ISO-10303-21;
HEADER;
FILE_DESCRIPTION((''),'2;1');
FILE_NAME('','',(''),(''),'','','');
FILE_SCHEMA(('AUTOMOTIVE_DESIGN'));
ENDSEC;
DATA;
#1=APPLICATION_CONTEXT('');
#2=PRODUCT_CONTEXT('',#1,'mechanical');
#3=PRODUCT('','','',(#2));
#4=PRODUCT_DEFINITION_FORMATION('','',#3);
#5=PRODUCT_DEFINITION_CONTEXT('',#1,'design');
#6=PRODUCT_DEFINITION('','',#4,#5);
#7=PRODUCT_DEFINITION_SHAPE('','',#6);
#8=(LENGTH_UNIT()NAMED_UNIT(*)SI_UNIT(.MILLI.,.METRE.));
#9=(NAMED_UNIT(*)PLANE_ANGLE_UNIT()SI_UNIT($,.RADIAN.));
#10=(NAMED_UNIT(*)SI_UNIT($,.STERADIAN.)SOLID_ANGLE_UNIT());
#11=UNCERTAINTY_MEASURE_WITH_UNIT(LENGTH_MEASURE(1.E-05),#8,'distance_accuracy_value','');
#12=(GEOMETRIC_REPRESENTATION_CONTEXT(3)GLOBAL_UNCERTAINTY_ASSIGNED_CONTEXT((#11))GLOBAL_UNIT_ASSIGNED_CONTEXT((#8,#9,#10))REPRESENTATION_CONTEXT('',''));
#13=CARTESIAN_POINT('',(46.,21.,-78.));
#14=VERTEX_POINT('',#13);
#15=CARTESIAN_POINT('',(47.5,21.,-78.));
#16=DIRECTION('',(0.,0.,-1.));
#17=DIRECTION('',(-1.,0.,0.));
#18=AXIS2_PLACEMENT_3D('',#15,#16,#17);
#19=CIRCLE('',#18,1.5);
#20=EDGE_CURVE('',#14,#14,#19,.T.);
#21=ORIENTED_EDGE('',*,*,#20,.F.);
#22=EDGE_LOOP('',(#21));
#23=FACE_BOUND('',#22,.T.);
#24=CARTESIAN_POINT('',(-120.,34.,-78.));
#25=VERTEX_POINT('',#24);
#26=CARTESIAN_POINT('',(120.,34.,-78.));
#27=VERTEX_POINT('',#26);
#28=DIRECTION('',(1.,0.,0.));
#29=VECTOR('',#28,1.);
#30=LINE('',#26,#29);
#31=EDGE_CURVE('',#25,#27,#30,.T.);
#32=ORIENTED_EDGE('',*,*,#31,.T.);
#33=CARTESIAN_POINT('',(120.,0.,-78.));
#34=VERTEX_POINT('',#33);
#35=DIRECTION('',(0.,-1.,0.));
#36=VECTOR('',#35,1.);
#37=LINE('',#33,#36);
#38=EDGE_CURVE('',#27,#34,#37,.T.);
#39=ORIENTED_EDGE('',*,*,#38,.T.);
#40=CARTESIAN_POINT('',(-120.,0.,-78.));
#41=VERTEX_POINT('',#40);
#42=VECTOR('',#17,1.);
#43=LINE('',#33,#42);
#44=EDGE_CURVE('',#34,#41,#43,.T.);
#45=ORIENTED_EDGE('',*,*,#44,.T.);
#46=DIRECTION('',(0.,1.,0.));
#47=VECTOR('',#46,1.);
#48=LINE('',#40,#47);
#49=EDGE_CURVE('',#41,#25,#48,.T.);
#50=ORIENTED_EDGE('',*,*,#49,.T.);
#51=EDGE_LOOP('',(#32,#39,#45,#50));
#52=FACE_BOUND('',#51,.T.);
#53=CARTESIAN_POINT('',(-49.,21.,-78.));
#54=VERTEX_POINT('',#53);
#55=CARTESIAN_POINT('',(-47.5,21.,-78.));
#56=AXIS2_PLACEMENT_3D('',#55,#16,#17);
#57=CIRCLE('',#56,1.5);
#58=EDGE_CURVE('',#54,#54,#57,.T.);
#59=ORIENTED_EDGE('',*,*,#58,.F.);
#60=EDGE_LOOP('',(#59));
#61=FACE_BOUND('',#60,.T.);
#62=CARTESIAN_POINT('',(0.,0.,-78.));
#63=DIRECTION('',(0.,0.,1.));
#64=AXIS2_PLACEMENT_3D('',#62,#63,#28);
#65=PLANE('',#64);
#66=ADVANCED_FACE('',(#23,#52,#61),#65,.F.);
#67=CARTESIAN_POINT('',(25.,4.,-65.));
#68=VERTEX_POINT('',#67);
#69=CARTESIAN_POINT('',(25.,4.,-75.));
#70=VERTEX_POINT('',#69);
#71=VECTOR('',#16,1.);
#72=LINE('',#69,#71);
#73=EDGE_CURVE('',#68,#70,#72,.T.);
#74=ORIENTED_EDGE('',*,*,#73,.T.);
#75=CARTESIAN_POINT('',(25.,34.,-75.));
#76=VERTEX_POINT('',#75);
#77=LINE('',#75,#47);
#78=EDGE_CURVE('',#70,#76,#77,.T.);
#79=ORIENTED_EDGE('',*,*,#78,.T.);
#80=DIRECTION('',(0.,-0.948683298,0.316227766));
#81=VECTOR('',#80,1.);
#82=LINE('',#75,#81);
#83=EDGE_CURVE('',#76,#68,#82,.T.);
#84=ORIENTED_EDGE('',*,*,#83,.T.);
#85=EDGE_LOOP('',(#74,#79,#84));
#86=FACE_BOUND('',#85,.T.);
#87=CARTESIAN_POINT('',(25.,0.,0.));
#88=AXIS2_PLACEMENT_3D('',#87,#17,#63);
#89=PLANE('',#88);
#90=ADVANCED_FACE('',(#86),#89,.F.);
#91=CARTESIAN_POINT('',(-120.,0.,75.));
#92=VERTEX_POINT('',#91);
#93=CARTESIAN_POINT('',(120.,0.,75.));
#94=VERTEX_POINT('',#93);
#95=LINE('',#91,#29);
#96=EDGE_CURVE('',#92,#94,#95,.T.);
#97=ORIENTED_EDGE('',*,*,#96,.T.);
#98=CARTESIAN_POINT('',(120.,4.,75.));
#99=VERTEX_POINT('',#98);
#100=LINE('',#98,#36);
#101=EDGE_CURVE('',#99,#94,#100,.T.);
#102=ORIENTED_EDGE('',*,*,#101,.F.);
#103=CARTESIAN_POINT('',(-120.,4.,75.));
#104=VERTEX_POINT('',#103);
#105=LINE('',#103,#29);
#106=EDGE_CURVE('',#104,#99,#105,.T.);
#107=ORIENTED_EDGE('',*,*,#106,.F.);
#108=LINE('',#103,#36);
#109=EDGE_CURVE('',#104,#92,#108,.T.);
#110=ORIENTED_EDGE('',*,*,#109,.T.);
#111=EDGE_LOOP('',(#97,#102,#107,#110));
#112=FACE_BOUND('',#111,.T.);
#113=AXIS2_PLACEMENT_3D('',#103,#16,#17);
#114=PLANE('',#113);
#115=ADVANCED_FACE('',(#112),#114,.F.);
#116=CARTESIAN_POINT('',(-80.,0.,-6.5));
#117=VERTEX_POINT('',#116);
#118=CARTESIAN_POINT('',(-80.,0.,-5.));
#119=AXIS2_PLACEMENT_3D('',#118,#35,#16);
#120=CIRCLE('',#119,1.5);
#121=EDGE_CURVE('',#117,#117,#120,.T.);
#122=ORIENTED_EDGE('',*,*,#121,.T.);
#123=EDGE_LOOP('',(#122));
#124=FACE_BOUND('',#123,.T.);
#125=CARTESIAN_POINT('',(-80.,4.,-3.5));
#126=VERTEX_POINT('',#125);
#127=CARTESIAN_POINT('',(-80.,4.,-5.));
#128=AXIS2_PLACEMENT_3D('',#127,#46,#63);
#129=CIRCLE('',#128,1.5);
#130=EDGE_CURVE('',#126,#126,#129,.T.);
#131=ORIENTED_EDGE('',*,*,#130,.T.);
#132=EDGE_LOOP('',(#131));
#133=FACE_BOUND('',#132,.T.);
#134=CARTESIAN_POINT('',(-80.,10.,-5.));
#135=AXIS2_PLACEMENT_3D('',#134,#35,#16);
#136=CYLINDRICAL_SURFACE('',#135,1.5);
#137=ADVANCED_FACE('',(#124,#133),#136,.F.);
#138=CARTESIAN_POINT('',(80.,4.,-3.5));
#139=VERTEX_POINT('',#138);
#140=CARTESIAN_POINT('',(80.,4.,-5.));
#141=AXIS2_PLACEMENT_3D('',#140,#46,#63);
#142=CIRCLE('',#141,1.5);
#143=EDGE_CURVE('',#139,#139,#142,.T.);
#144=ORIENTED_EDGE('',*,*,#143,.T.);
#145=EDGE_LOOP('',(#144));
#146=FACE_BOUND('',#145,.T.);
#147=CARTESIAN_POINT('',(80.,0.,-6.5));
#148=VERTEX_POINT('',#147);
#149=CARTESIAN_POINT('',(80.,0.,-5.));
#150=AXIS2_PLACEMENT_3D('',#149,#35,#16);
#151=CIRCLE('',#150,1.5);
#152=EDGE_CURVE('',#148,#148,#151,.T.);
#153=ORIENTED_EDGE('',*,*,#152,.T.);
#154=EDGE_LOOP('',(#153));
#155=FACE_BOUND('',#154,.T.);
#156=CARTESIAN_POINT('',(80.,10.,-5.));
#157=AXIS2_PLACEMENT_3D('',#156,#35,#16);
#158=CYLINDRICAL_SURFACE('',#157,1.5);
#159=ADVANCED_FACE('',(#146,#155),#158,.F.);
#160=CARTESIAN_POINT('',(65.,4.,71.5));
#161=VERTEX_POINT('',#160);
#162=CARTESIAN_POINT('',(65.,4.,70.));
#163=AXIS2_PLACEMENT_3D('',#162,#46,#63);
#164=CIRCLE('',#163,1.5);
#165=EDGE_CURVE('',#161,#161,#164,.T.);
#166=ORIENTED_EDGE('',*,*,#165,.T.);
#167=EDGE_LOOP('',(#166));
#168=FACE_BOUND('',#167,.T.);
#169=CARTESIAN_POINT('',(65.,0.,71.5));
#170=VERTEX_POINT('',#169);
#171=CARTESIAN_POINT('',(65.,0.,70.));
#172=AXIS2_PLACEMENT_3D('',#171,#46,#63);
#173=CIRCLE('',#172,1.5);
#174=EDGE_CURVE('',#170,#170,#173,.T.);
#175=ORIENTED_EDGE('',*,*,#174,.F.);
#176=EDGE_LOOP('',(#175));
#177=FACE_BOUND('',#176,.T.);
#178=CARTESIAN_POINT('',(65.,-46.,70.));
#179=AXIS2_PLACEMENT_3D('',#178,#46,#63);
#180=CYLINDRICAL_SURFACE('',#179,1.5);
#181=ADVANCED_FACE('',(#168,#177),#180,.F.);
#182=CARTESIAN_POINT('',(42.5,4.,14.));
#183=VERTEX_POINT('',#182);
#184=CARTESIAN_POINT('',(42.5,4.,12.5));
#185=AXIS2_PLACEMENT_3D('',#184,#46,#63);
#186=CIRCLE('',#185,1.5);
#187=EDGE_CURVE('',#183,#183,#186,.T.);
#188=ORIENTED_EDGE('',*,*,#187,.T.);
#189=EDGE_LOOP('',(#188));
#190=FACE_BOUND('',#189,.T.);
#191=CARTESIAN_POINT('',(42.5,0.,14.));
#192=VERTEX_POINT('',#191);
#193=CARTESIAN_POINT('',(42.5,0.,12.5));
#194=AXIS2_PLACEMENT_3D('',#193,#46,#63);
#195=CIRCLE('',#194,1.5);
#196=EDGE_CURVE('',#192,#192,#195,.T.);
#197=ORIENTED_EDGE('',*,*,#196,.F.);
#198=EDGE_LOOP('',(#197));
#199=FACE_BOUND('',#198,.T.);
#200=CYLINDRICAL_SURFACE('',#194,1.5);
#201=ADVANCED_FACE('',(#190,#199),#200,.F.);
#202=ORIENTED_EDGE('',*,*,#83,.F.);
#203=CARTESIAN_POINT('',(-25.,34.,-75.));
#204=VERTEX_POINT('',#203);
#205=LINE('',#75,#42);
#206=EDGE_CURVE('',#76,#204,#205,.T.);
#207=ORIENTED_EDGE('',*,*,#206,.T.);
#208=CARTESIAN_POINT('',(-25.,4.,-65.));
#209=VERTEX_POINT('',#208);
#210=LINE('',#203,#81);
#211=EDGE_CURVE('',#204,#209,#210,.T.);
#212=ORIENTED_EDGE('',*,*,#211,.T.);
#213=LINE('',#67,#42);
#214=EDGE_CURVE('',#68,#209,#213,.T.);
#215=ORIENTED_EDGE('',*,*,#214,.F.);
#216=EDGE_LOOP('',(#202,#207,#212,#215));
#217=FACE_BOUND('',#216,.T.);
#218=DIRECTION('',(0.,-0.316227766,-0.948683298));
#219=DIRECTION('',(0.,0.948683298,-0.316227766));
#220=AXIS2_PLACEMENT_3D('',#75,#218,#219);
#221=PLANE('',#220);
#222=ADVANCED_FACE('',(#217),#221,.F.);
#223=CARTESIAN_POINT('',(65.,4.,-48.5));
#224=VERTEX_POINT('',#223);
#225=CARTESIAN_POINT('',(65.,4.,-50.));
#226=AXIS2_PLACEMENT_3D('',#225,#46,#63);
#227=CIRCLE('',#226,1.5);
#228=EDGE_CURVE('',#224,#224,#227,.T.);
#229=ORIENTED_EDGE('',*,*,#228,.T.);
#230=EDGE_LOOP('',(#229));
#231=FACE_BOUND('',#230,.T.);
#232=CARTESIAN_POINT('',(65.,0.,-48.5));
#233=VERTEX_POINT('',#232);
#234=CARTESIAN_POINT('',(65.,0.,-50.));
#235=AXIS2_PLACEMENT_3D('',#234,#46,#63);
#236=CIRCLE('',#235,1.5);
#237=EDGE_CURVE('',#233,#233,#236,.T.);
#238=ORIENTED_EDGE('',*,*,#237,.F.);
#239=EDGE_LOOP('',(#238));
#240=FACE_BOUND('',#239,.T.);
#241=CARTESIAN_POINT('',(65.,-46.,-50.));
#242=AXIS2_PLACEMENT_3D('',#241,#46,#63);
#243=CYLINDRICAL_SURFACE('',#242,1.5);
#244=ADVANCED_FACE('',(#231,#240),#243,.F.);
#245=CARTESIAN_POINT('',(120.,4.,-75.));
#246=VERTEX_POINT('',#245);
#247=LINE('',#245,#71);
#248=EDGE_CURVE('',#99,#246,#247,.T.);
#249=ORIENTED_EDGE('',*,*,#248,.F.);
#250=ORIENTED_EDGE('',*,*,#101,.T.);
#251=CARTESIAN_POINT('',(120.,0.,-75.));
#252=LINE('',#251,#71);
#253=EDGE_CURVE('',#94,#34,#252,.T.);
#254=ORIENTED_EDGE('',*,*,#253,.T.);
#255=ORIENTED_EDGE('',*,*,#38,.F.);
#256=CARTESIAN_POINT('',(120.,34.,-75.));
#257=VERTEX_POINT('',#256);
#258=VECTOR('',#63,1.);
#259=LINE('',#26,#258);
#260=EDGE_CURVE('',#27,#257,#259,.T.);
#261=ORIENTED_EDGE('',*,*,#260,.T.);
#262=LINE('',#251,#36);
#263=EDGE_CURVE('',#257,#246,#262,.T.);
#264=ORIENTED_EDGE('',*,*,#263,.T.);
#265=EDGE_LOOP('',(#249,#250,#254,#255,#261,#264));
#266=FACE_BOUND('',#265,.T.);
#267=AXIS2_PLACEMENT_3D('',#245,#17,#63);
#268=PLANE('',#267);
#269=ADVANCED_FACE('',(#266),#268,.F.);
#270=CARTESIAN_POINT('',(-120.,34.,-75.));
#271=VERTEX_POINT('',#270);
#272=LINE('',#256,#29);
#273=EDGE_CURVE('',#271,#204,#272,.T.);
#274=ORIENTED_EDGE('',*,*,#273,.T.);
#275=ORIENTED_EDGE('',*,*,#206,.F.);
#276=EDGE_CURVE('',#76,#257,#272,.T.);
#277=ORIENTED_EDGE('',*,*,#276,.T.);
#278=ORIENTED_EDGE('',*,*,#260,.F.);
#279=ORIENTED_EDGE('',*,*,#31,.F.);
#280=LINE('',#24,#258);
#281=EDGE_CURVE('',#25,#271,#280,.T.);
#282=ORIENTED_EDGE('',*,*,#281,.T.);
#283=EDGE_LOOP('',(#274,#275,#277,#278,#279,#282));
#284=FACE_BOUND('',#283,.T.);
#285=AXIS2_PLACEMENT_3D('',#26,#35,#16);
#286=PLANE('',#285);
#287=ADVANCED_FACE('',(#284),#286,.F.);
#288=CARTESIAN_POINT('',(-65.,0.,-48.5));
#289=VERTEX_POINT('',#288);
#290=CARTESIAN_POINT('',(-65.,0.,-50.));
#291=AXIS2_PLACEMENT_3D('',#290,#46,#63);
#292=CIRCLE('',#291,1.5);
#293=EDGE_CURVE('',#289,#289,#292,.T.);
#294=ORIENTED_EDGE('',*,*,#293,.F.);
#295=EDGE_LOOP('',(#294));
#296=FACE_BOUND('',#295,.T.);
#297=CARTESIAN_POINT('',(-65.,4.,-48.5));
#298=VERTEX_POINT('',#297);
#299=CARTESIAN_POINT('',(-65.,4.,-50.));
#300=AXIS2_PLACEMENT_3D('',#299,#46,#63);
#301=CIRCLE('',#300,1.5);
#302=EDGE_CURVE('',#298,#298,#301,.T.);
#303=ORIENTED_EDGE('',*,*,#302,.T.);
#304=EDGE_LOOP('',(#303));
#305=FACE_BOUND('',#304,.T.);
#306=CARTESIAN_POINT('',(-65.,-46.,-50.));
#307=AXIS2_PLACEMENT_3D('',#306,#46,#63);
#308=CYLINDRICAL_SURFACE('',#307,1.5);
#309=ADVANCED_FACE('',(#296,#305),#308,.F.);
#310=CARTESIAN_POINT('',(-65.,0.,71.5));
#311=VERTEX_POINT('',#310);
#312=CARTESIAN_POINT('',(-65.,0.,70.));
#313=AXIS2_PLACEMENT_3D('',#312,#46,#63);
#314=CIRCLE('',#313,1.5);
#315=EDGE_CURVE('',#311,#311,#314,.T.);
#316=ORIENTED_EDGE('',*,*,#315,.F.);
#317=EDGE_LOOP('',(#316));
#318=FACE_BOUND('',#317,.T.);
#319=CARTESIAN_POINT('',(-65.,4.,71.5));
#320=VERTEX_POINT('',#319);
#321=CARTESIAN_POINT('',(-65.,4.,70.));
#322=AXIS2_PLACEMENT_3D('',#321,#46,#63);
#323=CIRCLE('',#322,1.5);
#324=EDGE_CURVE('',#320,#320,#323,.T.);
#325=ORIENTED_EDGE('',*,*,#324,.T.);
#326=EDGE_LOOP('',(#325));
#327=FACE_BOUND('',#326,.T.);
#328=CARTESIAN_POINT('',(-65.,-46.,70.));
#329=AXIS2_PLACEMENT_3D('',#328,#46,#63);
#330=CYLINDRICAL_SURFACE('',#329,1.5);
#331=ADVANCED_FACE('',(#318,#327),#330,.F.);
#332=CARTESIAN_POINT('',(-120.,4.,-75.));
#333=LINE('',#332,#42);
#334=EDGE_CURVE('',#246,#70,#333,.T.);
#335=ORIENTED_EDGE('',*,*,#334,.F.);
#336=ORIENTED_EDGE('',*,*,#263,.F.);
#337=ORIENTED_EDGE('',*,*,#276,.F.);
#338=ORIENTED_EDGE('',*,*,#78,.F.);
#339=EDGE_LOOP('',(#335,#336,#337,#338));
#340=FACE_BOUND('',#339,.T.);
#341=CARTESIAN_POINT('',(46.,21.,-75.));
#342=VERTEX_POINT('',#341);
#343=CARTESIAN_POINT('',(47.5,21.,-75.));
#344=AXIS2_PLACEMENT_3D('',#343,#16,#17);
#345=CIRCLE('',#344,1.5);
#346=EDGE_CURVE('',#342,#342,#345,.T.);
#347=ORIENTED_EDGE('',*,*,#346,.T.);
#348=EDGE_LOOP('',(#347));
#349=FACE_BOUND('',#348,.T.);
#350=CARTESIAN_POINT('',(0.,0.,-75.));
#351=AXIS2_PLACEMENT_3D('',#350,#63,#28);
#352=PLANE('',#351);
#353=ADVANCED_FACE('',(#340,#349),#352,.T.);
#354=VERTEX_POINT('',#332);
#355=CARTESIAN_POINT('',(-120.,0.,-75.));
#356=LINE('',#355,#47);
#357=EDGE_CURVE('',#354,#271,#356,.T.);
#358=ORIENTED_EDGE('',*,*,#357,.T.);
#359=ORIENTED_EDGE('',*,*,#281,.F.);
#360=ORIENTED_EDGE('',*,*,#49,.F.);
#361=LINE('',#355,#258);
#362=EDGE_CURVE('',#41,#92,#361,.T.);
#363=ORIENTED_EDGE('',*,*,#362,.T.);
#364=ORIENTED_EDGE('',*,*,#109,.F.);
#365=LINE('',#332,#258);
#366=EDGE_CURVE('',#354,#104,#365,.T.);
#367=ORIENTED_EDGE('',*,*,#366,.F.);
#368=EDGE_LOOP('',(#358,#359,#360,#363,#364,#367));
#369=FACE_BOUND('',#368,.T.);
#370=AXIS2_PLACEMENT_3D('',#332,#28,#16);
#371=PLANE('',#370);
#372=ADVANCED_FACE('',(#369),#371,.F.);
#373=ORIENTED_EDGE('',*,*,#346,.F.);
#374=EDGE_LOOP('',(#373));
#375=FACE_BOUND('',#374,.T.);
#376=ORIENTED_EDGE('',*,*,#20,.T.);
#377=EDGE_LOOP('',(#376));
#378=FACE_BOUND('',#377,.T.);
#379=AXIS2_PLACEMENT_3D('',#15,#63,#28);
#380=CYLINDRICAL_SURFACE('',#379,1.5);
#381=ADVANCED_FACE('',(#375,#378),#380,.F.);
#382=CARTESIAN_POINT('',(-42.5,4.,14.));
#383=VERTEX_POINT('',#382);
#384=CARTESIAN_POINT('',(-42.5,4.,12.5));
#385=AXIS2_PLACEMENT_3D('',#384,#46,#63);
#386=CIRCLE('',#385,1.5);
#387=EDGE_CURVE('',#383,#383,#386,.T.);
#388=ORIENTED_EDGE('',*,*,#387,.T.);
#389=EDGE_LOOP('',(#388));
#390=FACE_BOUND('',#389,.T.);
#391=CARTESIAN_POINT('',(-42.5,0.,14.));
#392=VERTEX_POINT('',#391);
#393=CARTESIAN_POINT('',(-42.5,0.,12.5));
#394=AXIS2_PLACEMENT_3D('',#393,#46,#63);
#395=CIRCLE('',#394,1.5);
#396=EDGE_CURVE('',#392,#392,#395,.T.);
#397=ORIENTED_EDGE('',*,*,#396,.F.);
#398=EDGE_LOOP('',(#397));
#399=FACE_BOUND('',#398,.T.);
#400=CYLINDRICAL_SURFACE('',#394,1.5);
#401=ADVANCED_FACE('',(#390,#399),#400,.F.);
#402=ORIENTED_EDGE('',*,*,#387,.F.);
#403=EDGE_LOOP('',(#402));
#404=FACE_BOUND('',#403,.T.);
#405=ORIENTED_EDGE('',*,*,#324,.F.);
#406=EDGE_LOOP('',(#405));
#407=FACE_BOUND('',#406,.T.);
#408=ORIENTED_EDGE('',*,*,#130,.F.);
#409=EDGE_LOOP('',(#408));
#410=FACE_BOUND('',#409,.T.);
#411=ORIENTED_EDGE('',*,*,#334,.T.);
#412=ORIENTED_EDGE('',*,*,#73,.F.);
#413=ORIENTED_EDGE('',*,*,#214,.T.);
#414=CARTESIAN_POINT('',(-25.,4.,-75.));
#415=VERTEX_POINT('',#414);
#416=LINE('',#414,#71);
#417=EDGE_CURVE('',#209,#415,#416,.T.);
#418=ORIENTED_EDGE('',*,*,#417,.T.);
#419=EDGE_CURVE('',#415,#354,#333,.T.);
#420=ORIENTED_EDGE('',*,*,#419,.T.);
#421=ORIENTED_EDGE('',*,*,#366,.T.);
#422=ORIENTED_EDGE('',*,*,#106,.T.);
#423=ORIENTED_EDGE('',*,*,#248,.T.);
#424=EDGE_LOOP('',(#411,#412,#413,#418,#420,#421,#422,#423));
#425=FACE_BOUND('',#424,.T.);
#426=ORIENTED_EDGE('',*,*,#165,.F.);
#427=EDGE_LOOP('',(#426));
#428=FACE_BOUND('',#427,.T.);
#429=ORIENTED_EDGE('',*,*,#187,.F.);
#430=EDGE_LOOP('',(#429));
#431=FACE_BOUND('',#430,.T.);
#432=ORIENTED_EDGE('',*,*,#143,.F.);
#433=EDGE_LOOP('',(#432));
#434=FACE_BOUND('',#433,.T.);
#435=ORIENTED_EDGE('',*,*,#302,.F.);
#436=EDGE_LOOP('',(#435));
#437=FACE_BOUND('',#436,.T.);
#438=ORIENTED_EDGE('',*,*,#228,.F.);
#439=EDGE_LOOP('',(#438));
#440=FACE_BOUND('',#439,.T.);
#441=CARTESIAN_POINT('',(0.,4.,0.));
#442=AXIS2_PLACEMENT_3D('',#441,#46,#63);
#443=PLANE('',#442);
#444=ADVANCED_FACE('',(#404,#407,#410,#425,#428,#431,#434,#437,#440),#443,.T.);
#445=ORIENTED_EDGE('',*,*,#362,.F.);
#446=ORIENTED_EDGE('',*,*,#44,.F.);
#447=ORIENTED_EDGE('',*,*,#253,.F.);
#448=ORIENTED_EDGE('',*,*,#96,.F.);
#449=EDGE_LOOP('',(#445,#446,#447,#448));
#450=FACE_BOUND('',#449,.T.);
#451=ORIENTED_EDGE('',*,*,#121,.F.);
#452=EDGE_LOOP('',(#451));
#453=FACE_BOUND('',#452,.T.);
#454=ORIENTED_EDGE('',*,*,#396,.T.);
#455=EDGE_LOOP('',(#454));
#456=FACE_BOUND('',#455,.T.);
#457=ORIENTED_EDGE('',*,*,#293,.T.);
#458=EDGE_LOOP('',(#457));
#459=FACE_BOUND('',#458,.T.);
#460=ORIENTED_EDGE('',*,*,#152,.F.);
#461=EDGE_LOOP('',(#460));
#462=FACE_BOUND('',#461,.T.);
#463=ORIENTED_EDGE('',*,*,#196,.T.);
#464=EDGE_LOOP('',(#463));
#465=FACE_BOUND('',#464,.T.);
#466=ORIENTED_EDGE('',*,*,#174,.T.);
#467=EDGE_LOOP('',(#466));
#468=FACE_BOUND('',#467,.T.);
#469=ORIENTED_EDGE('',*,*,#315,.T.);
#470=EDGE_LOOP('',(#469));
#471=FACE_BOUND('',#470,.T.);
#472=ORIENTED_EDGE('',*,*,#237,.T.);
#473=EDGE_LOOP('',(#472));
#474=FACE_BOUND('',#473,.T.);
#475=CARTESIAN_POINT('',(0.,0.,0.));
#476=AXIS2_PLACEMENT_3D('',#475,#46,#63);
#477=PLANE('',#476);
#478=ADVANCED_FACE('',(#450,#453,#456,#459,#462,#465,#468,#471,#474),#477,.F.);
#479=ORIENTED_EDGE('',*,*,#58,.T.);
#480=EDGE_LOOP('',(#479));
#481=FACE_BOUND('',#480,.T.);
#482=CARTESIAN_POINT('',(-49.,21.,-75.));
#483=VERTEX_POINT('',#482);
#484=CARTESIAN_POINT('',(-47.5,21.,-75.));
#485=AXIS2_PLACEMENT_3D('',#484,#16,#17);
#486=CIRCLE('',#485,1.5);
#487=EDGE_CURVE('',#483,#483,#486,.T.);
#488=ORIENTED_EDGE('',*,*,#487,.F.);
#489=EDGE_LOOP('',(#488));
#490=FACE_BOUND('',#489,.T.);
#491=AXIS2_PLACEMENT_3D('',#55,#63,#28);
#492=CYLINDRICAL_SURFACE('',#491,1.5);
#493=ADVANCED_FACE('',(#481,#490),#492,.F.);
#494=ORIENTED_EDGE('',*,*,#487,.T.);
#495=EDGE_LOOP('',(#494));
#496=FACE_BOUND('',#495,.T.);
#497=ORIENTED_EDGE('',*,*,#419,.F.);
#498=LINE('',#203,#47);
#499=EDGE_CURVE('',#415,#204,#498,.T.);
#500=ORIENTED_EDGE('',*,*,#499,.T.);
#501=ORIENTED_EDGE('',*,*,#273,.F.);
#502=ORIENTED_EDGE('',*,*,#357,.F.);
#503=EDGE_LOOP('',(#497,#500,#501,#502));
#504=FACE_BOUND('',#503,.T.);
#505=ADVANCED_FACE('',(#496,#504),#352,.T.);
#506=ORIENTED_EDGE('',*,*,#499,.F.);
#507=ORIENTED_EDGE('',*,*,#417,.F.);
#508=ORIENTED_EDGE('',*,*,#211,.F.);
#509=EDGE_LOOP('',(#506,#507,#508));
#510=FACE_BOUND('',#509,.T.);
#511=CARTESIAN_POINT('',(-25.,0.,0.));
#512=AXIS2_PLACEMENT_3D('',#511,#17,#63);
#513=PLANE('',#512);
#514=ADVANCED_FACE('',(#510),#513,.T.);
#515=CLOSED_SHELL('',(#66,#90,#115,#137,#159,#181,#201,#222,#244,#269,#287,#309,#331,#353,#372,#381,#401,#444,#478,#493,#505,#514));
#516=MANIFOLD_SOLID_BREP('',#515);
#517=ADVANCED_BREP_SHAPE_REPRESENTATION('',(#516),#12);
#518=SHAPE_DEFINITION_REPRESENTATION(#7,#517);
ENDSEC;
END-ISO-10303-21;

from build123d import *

# Parameters (mm, degrees)
SKETCH1_W           = 240
SKETCH1_H           = 150
BOSS_EXTRUDE1_DEPTH = 4
SKETCH3_R           = 1.5
CUT_EXTRUDE1_DEPTH  = 50
SKETCH5_W           = 240
SKETCH5_H           = 34
SKETCH5_R           = 1.5
BOSS_EXTRUDE4_DEPTH = 3
BOSS_EXTRUDE5_DEPTH = 25
SKETCH4_R           = 1.5
CUT_EXTRUDE2_DEPTH  = 147.232691283
SKETCH2_R           = 1.5
CUT_EXTRUDE3_DEPTH  = 10


with BuildPart() as part:
    # Sketch1 → Boss-Extrude1 (new body)
    with BuildSketch(Plane(origin=(0, 0, 0), x_dir=(1, 0, 0), z_dir=(0, 1, 0))):
        Rectangle(SKETCH1_W, SKETCH1_H)
    extrude(amount=BOSS_EXTRUDE1_DEPTH)

    # Sketch3 → Cut-Extrude1 (cut)
    with BuildSketch(Plane(origin=(0, 4, 0), x_dir=(1, 0, 0), z_dir=(0, 1, 0))):
        with Locations(Location((-65, 50, 0), (0, 0, 270))):
            Circle(SKETCH3_R)
        with Locations(Location((65, 50, 0), (0, 0, 270))):
            Circle(SKETCH3_R)
        with Locations(Location((65, -70, 0), (0, 0, 270))):
            Circle(SKETCH3_R)
        with Locations(Location((-65, -70, 0), (0, 0, 270))):
            Circle(SKETCH3_R)
    extrude(amount=-CUT_EXTRUDE1_DEPTH, mode=Mode.SUBTRACT)

    # Sketch5 → Boss-Extrude4 (add)
    with BuildSketch(Plane(origin=(0, 0, -75), x_dir=(-1, 0, 0), z_dir=(0, 0, -1))):
        with Locations((0, 17)):
            Rectangle(SKETCH5_W, SKETCH5_H)
        with Locations((47.5, 21)):
            Circle(SKETCH5_R, mode=Mode.SUBTRACT)
        with Locations((-47.5, 21)):
            Circle(SKETCH5_R, mode=Mode.SUBTRACT)
    extrude(amount=BOSS_EXTRUDE4_DEPTH)

    # Sketch8 → Boss-Extrude5 (add, symmetric)
    with BuildSketch(Plane(origin=(0, 0, 0), x_dir=(0, 0, -1), z_dir=(1, 0, 0))):
        Polygon((75, 34), (65, 4), (75, 4), align=None)
    extrude(amount=BOSS_EXTRUDE5_DEPTH, both=True)

    # Sketch4 → Cut-Extrude2 (cut, through all)
    with BuildSketch(Plane(origin=(0, 4, 0), x_dir=(1, 0, 0), z_dir=(0, 1, 0))):
        with Locations(Location((42.5, -12.5, 0), (0, 0, 270))):
            Circle(SKETCH4_R)
        with Locations(Location((-42.5, -12.5, 0), (0, 0, 270))):
            Circle(SKETCH4_R)
    extrude(amount=-CUT_EXTRUDE2_DEPTH, mode=Mode.SUBTRACT)

    # Sketch2 → Cut-Extrude3 (cut)
    with BuildSketch(Plane.XZ):
        with Locations(Location((80, -5, 0), (0, 0, 270))):
            Circle(SKETCH2_R)
        with Locations(Location((-80, -5, 0), (0, 0, 270))):
            Circle(SKETCH2_R)
    extrude(amount=-CUT_EXTRUDE3_DEPTH, mode=Mode.SUBTRACT)


solid = part.part
